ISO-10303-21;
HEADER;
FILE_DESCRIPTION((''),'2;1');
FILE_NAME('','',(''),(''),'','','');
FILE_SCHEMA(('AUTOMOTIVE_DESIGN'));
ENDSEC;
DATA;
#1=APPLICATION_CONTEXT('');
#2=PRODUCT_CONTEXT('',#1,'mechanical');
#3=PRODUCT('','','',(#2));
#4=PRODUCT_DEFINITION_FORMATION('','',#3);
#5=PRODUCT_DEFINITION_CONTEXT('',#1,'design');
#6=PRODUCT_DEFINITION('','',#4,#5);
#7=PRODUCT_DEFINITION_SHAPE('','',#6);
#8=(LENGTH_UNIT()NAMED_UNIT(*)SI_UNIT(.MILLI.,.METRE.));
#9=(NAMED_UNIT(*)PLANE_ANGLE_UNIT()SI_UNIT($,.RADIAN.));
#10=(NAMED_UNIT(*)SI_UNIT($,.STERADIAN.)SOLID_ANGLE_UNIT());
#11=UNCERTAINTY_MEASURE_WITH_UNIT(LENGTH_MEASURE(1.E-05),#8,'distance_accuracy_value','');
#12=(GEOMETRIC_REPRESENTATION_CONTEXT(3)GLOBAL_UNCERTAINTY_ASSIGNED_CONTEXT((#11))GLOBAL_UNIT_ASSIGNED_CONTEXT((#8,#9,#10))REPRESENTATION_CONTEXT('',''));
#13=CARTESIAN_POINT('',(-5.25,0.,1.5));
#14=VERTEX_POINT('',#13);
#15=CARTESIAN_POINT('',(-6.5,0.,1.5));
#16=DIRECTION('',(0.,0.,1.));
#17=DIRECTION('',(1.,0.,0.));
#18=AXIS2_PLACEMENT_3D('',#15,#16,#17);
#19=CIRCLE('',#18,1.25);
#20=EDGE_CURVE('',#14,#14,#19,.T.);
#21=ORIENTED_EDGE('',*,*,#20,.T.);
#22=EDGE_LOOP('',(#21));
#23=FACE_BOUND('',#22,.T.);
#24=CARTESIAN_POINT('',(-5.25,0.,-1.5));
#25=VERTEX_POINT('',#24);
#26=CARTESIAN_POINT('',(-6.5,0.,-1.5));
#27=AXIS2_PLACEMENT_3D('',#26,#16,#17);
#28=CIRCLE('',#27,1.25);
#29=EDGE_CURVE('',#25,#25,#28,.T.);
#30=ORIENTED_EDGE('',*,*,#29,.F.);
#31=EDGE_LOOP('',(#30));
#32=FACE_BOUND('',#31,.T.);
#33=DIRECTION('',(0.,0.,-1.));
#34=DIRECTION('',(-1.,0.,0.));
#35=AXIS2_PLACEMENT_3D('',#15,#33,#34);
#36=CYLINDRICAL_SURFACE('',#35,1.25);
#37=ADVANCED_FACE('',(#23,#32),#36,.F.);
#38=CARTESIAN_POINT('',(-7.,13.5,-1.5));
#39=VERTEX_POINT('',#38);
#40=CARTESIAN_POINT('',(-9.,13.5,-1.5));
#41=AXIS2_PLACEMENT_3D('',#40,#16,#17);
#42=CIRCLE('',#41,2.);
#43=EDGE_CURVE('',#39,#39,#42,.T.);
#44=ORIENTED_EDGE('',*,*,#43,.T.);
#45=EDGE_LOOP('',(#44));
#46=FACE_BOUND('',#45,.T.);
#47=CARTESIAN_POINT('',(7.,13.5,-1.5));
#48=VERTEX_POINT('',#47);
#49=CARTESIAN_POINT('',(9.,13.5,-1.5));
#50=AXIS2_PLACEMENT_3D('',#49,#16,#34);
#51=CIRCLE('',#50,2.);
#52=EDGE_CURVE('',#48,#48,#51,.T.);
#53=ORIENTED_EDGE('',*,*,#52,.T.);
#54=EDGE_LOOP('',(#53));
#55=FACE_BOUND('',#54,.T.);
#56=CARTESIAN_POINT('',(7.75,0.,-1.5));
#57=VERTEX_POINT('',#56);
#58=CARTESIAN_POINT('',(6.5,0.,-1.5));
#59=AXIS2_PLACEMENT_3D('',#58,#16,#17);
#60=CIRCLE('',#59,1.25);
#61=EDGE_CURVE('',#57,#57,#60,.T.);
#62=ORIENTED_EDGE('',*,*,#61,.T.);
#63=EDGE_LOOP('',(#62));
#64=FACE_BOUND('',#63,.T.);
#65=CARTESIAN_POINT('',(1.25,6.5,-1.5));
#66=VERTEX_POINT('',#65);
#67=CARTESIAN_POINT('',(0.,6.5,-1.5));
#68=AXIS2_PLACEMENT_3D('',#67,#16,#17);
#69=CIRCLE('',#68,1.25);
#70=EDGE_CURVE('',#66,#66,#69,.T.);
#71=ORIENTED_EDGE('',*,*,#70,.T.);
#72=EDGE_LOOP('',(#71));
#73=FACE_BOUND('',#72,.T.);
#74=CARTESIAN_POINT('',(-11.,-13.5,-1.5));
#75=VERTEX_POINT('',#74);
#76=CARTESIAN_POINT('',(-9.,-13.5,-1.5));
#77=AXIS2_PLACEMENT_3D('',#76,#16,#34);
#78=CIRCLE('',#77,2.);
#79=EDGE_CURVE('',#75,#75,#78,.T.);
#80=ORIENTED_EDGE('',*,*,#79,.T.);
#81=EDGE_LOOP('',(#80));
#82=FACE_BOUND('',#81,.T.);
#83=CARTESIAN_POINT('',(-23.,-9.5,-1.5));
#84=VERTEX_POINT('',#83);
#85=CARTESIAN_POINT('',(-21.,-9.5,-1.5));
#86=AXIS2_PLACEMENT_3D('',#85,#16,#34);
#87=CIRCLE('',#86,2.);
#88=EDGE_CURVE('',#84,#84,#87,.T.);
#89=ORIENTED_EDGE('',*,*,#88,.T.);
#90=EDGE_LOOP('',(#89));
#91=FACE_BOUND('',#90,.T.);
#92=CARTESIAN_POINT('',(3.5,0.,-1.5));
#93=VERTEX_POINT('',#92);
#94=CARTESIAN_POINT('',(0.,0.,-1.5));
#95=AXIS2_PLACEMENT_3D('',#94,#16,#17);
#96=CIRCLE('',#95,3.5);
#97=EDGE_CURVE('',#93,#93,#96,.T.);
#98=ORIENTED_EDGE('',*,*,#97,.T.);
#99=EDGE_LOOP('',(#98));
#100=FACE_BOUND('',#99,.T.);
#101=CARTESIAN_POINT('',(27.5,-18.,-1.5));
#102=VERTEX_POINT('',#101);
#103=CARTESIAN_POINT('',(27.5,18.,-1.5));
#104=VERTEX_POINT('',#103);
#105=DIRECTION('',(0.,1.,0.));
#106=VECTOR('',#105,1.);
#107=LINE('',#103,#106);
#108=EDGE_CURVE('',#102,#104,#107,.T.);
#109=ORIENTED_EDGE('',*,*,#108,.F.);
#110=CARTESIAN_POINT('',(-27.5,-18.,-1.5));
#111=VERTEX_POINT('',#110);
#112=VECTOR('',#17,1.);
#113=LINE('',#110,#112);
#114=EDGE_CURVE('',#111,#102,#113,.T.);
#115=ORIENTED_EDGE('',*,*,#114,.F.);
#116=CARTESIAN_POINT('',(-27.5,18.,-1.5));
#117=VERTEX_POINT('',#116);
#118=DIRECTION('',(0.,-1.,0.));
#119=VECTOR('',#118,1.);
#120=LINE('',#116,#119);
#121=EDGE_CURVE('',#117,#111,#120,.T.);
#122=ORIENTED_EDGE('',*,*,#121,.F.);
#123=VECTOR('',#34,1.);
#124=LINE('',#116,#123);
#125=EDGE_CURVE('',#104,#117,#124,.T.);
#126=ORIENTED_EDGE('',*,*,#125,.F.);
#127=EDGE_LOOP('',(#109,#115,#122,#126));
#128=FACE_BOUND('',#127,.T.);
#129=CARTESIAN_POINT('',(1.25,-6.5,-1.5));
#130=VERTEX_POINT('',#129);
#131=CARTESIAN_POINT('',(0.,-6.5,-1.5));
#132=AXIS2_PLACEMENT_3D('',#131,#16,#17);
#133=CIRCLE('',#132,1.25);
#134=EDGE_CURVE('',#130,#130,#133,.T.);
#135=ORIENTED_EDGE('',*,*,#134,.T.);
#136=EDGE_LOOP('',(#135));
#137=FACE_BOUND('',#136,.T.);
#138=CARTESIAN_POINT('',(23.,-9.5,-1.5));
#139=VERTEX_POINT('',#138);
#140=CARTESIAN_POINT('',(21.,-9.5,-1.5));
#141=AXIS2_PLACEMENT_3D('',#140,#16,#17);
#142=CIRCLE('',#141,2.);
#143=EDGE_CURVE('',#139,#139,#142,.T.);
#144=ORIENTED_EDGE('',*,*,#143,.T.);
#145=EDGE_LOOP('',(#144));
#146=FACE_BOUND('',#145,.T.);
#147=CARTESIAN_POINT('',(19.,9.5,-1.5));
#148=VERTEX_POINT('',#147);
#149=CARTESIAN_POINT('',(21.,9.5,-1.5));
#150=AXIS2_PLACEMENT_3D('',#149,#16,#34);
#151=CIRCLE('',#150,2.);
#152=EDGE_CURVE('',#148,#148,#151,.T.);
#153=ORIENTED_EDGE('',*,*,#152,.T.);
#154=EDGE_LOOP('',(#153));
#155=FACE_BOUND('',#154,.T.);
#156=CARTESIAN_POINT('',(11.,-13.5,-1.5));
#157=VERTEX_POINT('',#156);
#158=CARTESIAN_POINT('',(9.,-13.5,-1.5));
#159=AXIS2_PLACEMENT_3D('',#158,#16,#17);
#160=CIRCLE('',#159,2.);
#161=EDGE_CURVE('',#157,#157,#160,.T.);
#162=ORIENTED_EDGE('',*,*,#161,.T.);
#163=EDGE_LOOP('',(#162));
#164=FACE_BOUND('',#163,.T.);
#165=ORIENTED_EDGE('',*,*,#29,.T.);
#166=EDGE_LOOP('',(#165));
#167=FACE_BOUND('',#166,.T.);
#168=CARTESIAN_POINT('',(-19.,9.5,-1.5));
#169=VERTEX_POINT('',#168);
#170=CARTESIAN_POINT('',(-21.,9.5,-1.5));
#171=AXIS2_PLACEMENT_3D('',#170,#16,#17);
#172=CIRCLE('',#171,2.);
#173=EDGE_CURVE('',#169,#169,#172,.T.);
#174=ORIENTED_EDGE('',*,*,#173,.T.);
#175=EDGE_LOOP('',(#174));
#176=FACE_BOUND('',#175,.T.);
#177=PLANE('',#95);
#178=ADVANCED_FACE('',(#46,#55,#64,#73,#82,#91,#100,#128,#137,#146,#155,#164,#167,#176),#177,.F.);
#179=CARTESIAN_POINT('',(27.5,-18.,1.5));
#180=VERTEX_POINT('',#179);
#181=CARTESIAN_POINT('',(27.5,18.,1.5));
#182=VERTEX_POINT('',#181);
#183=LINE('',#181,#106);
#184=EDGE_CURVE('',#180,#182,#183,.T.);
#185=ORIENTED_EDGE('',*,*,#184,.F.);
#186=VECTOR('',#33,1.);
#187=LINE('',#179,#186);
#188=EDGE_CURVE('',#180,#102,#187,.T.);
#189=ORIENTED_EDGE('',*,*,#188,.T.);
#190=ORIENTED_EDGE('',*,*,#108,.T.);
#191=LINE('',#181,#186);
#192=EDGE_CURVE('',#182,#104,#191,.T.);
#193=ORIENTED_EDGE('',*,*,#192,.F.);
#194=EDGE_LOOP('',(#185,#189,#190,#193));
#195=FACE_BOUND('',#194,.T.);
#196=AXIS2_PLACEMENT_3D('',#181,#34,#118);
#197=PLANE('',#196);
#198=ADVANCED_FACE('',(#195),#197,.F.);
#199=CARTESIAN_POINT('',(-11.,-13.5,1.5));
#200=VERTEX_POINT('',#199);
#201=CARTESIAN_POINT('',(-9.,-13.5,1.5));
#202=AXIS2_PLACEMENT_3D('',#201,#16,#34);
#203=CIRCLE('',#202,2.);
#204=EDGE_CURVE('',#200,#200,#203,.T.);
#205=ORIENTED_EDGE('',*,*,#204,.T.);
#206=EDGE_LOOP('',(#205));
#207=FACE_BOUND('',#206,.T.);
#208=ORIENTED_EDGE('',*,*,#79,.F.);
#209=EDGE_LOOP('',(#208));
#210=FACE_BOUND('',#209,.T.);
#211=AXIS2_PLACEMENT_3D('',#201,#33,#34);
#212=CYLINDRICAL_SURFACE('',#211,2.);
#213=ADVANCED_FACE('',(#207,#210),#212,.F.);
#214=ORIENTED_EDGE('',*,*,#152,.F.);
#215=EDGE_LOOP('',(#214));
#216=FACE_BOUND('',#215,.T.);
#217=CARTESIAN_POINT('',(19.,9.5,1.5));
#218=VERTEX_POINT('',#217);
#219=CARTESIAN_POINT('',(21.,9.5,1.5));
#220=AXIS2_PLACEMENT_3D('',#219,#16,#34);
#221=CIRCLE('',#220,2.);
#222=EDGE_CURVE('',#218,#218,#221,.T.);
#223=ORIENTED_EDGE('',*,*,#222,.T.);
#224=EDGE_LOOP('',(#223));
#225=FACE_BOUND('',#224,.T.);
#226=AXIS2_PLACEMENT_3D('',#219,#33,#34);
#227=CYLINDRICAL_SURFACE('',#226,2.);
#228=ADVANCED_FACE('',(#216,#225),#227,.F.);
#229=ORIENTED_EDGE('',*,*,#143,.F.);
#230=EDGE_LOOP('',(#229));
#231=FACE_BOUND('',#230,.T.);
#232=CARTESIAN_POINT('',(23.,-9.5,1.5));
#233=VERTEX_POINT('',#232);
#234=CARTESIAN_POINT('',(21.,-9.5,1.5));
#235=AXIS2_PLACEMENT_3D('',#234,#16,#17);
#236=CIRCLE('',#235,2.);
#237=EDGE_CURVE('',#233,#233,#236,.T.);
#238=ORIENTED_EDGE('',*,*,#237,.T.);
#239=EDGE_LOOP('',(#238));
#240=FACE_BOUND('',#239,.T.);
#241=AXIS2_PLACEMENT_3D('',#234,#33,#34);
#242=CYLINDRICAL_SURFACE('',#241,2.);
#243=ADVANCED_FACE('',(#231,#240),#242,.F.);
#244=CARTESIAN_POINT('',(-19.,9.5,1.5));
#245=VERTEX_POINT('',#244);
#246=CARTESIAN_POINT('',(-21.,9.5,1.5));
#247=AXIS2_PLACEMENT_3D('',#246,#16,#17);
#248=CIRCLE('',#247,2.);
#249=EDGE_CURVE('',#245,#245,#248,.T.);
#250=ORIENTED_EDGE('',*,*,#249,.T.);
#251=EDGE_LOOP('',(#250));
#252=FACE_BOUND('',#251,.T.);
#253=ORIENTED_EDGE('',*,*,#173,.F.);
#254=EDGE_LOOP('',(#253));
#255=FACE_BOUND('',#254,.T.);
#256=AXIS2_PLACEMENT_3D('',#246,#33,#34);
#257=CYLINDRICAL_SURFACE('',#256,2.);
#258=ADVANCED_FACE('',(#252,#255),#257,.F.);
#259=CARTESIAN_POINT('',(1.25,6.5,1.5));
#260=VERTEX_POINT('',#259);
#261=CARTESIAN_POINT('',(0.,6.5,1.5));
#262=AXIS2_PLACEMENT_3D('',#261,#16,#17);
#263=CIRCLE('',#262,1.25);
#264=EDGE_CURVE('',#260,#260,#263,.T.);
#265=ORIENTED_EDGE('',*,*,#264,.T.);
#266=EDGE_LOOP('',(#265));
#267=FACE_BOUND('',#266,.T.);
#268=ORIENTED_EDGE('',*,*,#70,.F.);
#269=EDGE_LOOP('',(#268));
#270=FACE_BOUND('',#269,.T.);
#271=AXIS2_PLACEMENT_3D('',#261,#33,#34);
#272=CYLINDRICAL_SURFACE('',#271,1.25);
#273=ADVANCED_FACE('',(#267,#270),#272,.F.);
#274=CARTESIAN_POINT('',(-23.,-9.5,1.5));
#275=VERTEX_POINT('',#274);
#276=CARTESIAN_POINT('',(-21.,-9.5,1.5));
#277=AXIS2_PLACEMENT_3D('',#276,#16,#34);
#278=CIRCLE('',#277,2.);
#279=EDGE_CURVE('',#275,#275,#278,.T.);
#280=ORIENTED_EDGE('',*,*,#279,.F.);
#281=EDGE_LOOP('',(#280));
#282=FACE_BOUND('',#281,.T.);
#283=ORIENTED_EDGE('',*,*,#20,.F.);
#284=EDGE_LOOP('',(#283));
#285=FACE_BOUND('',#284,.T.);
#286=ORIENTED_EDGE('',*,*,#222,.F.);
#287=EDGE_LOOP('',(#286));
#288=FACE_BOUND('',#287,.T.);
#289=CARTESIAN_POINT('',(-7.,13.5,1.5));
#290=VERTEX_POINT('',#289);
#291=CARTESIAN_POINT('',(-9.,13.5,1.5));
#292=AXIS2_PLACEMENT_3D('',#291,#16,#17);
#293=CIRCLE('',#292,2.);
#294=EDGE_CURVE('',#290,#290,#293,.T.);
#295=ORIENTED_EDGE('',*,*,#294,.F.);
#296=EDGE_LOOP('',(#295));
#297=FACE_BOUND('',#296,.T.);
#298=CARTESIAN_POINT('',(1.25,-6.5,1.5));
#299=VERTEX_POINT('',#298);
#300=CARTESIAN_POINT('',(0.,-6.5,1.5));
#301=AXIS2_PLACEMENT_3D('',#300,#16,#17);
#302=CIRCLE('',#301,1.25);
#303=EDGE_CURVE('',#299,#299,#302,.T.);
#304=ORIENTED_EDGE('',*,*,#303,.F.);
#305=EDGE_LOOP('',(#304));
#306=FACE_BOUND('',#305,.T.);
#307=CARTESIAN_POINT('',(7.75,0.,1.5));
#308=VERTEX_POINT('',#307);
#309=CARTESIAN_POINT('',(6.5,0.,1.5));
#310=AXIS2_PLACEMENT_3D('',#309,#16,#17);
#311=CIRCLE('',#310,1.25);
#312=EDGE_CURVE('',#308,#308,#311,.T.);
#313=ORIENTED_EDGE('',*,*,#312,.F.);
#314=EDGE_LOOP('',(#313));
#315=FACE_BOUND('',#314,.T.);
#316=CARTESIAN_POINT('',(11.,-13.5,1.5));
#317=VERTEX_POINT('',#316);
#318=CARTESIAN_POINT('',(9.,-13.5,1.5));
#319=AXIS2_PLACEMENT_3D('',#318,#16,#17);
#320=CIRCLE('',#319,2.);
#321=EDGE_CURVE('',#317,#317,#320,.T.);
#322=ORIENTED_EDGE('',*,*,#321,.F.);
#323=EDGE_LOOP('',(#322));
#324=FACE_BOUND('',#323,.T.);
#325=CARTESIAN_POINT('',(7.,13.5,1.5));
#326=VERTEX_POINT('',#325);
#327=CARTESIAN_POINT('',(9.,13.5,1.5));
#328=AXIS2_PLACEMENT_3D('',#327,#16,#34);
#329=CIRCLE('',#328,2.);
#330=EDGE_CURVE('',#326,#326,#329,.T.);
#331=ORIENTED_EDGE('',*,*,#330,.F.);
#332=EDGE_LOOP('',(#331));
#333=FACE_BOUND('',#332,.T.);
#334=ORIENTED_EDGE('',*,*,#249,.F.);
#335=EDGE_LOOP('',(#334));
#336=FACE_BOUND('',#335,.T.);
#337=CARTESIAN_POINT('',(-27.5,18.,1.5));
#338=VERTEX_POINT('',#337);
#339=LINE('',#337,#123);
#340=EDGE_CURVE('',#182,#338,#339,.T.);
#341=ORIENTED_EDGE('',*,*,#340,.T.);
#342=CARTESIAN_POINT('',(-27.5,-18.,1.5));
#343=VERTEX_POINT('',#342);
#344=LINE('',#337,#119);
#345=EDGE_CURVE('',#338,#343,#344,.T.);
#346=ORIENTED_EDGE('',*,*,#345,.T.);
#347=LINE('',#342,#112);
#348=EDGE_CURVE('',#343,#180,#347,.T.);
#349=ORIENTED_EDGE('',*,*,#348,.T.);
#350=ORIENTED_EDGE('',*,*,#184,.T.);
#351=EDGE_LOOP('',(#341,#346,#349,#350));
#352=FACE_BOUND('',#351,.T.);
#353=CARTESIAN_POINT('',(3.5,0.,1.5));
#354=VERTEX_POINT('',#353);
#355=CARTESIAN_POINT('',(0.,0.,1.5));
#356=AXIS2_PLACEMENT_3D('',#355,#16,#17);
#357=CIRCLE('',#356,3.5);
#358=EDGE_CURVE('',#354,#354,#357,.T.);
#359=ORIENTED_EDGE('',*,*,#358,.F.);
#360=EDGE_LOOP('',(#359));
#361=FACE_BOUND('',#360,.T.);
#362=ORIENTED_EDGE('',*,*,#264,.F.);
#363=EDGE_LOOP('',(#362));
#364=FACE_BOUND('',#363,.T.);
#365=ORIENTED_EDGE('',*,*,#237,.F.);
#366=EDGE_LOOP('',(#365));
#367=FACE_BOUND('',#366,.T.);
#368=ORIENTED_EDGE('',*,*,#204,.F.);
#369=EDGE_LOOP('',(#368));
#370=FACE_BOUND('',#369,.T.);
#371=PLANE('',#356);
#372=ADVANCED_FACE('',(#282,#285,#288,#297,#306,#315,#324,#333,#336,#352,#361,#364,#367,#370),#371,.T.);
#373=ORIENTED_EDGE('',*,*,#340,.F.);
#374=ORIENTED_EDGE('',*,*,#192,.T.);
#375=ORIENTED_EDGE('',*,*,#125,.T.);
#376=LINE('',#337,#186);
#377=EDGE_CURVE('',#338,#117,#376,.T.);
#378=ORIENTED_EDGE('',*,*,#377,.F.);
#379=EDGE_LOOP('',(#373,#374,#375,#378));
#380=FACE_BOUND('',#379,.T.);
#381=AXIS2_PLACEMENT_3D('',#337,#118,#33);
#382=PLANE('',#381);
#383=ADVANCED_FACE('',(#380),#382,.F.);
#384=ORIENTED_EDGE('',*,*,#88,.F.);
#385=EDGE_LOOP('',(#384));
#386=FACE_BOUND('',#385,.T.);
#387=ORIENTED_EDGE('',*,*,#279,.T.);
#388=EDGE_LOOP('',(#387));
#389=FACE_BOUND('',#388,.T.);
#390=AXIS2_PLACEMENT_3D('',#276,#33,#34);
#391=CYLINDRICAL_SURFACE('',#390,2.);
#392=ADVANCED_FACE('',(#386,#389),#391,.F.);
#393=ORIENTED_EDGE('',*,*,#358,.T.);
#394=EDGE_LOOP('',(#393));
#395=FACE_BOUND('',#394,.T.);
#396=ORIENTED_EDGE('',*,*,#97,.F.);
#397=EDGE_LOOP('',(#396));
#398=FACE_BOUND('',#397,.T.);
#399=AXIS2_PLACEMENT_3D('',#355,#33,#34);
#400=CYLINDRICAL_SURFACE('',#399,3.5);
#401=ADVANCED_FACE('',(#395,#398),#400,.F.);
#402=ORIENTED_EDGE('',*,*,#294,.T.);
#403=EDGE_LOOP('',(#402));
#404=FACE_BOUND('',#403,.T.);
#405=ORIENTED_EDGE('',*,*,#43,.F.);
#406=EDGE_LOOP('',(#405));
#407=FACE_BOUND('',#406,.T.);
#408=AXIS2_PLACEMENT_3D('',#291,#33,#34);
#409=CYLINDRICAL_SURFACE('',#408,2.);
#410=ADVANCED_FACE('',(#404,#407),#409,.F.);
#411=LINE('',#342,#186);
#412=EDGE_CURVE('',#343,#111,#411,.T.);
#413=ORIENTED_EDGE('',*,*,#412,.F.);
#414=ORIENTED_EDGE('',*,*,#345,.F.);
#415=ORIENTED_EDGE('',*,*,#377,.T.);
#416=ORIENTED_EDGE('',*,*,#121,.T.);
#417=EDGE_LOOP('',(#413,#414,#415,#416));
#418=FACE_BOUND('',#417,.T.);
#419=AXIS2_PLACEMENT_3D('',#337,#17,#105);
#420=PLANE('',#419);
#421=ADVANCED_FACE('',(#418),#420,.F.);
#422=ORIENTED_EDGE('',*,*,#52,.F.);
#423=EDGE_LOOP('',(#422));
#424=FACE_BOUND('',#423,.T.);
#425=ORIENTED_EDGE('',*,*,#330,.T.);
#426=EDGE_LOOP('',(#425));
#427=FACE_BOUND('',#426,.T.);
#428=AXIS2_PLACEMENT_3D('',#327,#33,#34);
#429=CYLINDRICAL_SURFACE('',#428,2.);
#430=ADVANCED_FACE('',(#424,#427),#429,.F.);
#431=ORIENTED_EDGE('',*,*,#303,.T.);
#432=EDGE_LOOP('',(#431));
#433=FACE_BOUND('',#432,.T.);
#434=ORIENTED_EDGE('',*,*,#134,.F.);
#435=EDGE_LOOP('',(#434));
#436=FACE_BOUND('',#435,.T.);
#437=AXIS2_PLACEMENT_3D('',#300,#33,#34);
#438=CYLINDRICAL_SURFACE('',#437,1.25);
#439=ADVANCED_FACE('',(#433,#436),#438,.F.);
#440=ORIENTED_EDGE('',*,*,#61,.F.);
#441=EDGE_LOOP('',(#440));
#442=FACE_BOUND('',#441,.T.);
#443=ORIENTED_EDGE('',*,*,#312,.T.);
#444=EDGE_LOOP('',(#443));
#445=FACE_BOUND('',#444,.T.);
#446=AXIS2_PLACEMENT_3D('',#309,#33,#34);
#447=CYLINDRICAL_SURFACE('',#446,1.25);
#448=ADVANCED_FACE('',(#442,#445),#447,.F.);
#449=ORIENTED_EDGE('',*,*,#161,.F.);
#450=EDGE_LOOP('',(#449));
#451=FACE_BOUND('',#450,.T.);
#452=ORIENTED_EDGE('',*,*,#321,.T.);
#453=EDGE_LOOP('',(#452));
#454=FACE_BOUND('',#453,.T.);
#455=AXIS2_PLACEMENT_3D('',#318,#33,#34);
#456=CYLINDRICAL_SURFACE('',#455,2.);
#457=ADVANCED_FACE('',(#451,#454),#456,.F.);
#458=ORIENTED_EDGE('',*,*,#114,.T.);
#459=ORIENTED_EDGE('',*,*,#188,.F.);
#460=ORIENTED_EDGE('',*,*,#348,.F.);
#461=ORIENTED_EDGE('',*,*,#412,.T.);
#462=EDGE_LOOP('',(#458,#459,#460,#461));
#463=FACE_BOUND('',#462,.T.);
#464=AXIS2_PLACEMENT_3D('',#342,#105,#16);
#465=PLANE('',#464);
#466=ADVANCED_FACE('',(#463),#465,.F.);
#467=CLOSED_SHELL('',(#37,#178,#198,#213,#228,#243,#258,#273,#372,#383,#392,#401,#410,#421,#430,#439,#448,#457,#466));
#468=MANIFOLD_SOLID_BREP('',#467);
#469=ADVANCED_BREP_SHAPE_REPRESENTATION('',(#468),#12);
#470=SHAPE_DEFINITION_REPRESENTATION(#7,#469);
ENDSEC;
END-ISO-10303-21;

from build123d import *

# Parameters (mm, degrees)
SKETCH1_W           = 55
SKETCH1_H           = 36
SKETCH1_R           = 2
SKETCH1_R_2         = 3.5
SKETCH1_R_3         = 1.25
BOSS_EXTRUDE1_DEPTH = 1.5


with BuildPart() as part:
    # Sketch1 → Boss-Extrude1 (new, symmetric)
    with BuildSketch(Plane.XY):
        Rectangle(SKETCH1_W, SKETCH1_H)
        with Locations((-9, 13.5)):
            Circle(SKETCH1_R, mode=Mode.SUBTRACT)
        with Locations((-21, 9.5)):
            Circle(SKETCH1_R, mode=Mode.SUBTRACT)
        with Locations(Location((-9, -13.5, 0), (0, 0, 180))):
            Circle(SKETCH1_R, mode=Mode.SUBTRACT)
        with Locations(Location((-21, -9.5, 0), (0, 0, 180))):
            Circle(SKETCH1_R, mode=Mode.SUBTRACT)
        with Locations((9, -13.5)):
            Circle(SKETCH1_R, mode=Mode.SUBTRACT)
        with Locations((21, -9.5)):
            Circle(SKETCH1_R, mode=Mode.SUBTRACT)
        with Locations(Location((9, 13.5, 0), (0, 0, 180))):
            Circle(SKETCH1_R, mode=Mode.SUBTRACT)
        with Locations(Location((21, 9.5, 0), (0, 0, 180))):
            Circle(SKETCH1_R, mode=Mode.SUBTRACT)
        Circle(SKETCH1_R_2, mode=Mode.SUBTRACT)
        with Locations((0, 6.5)):
            Circle(SKETCH1_R_3, mode=Mode.SUBTRACT)
        with Locations((6.5, 0)):
            Circle(SKETCH1_R_3, mode=Mode.SUBTRACT)
        with Locations((0, -6.5)):
            Circle(SKETCH1_R_3, mode=Mode.SUBTRACT)
        with Locations((-6.5, 0)):
            Circle(SKETCH1_R_3, mode=Mode.SUBTRACT)
    extrude(amount=BOSS_EXTRUDE1_DEPTH, both=True)


solid = part.part
